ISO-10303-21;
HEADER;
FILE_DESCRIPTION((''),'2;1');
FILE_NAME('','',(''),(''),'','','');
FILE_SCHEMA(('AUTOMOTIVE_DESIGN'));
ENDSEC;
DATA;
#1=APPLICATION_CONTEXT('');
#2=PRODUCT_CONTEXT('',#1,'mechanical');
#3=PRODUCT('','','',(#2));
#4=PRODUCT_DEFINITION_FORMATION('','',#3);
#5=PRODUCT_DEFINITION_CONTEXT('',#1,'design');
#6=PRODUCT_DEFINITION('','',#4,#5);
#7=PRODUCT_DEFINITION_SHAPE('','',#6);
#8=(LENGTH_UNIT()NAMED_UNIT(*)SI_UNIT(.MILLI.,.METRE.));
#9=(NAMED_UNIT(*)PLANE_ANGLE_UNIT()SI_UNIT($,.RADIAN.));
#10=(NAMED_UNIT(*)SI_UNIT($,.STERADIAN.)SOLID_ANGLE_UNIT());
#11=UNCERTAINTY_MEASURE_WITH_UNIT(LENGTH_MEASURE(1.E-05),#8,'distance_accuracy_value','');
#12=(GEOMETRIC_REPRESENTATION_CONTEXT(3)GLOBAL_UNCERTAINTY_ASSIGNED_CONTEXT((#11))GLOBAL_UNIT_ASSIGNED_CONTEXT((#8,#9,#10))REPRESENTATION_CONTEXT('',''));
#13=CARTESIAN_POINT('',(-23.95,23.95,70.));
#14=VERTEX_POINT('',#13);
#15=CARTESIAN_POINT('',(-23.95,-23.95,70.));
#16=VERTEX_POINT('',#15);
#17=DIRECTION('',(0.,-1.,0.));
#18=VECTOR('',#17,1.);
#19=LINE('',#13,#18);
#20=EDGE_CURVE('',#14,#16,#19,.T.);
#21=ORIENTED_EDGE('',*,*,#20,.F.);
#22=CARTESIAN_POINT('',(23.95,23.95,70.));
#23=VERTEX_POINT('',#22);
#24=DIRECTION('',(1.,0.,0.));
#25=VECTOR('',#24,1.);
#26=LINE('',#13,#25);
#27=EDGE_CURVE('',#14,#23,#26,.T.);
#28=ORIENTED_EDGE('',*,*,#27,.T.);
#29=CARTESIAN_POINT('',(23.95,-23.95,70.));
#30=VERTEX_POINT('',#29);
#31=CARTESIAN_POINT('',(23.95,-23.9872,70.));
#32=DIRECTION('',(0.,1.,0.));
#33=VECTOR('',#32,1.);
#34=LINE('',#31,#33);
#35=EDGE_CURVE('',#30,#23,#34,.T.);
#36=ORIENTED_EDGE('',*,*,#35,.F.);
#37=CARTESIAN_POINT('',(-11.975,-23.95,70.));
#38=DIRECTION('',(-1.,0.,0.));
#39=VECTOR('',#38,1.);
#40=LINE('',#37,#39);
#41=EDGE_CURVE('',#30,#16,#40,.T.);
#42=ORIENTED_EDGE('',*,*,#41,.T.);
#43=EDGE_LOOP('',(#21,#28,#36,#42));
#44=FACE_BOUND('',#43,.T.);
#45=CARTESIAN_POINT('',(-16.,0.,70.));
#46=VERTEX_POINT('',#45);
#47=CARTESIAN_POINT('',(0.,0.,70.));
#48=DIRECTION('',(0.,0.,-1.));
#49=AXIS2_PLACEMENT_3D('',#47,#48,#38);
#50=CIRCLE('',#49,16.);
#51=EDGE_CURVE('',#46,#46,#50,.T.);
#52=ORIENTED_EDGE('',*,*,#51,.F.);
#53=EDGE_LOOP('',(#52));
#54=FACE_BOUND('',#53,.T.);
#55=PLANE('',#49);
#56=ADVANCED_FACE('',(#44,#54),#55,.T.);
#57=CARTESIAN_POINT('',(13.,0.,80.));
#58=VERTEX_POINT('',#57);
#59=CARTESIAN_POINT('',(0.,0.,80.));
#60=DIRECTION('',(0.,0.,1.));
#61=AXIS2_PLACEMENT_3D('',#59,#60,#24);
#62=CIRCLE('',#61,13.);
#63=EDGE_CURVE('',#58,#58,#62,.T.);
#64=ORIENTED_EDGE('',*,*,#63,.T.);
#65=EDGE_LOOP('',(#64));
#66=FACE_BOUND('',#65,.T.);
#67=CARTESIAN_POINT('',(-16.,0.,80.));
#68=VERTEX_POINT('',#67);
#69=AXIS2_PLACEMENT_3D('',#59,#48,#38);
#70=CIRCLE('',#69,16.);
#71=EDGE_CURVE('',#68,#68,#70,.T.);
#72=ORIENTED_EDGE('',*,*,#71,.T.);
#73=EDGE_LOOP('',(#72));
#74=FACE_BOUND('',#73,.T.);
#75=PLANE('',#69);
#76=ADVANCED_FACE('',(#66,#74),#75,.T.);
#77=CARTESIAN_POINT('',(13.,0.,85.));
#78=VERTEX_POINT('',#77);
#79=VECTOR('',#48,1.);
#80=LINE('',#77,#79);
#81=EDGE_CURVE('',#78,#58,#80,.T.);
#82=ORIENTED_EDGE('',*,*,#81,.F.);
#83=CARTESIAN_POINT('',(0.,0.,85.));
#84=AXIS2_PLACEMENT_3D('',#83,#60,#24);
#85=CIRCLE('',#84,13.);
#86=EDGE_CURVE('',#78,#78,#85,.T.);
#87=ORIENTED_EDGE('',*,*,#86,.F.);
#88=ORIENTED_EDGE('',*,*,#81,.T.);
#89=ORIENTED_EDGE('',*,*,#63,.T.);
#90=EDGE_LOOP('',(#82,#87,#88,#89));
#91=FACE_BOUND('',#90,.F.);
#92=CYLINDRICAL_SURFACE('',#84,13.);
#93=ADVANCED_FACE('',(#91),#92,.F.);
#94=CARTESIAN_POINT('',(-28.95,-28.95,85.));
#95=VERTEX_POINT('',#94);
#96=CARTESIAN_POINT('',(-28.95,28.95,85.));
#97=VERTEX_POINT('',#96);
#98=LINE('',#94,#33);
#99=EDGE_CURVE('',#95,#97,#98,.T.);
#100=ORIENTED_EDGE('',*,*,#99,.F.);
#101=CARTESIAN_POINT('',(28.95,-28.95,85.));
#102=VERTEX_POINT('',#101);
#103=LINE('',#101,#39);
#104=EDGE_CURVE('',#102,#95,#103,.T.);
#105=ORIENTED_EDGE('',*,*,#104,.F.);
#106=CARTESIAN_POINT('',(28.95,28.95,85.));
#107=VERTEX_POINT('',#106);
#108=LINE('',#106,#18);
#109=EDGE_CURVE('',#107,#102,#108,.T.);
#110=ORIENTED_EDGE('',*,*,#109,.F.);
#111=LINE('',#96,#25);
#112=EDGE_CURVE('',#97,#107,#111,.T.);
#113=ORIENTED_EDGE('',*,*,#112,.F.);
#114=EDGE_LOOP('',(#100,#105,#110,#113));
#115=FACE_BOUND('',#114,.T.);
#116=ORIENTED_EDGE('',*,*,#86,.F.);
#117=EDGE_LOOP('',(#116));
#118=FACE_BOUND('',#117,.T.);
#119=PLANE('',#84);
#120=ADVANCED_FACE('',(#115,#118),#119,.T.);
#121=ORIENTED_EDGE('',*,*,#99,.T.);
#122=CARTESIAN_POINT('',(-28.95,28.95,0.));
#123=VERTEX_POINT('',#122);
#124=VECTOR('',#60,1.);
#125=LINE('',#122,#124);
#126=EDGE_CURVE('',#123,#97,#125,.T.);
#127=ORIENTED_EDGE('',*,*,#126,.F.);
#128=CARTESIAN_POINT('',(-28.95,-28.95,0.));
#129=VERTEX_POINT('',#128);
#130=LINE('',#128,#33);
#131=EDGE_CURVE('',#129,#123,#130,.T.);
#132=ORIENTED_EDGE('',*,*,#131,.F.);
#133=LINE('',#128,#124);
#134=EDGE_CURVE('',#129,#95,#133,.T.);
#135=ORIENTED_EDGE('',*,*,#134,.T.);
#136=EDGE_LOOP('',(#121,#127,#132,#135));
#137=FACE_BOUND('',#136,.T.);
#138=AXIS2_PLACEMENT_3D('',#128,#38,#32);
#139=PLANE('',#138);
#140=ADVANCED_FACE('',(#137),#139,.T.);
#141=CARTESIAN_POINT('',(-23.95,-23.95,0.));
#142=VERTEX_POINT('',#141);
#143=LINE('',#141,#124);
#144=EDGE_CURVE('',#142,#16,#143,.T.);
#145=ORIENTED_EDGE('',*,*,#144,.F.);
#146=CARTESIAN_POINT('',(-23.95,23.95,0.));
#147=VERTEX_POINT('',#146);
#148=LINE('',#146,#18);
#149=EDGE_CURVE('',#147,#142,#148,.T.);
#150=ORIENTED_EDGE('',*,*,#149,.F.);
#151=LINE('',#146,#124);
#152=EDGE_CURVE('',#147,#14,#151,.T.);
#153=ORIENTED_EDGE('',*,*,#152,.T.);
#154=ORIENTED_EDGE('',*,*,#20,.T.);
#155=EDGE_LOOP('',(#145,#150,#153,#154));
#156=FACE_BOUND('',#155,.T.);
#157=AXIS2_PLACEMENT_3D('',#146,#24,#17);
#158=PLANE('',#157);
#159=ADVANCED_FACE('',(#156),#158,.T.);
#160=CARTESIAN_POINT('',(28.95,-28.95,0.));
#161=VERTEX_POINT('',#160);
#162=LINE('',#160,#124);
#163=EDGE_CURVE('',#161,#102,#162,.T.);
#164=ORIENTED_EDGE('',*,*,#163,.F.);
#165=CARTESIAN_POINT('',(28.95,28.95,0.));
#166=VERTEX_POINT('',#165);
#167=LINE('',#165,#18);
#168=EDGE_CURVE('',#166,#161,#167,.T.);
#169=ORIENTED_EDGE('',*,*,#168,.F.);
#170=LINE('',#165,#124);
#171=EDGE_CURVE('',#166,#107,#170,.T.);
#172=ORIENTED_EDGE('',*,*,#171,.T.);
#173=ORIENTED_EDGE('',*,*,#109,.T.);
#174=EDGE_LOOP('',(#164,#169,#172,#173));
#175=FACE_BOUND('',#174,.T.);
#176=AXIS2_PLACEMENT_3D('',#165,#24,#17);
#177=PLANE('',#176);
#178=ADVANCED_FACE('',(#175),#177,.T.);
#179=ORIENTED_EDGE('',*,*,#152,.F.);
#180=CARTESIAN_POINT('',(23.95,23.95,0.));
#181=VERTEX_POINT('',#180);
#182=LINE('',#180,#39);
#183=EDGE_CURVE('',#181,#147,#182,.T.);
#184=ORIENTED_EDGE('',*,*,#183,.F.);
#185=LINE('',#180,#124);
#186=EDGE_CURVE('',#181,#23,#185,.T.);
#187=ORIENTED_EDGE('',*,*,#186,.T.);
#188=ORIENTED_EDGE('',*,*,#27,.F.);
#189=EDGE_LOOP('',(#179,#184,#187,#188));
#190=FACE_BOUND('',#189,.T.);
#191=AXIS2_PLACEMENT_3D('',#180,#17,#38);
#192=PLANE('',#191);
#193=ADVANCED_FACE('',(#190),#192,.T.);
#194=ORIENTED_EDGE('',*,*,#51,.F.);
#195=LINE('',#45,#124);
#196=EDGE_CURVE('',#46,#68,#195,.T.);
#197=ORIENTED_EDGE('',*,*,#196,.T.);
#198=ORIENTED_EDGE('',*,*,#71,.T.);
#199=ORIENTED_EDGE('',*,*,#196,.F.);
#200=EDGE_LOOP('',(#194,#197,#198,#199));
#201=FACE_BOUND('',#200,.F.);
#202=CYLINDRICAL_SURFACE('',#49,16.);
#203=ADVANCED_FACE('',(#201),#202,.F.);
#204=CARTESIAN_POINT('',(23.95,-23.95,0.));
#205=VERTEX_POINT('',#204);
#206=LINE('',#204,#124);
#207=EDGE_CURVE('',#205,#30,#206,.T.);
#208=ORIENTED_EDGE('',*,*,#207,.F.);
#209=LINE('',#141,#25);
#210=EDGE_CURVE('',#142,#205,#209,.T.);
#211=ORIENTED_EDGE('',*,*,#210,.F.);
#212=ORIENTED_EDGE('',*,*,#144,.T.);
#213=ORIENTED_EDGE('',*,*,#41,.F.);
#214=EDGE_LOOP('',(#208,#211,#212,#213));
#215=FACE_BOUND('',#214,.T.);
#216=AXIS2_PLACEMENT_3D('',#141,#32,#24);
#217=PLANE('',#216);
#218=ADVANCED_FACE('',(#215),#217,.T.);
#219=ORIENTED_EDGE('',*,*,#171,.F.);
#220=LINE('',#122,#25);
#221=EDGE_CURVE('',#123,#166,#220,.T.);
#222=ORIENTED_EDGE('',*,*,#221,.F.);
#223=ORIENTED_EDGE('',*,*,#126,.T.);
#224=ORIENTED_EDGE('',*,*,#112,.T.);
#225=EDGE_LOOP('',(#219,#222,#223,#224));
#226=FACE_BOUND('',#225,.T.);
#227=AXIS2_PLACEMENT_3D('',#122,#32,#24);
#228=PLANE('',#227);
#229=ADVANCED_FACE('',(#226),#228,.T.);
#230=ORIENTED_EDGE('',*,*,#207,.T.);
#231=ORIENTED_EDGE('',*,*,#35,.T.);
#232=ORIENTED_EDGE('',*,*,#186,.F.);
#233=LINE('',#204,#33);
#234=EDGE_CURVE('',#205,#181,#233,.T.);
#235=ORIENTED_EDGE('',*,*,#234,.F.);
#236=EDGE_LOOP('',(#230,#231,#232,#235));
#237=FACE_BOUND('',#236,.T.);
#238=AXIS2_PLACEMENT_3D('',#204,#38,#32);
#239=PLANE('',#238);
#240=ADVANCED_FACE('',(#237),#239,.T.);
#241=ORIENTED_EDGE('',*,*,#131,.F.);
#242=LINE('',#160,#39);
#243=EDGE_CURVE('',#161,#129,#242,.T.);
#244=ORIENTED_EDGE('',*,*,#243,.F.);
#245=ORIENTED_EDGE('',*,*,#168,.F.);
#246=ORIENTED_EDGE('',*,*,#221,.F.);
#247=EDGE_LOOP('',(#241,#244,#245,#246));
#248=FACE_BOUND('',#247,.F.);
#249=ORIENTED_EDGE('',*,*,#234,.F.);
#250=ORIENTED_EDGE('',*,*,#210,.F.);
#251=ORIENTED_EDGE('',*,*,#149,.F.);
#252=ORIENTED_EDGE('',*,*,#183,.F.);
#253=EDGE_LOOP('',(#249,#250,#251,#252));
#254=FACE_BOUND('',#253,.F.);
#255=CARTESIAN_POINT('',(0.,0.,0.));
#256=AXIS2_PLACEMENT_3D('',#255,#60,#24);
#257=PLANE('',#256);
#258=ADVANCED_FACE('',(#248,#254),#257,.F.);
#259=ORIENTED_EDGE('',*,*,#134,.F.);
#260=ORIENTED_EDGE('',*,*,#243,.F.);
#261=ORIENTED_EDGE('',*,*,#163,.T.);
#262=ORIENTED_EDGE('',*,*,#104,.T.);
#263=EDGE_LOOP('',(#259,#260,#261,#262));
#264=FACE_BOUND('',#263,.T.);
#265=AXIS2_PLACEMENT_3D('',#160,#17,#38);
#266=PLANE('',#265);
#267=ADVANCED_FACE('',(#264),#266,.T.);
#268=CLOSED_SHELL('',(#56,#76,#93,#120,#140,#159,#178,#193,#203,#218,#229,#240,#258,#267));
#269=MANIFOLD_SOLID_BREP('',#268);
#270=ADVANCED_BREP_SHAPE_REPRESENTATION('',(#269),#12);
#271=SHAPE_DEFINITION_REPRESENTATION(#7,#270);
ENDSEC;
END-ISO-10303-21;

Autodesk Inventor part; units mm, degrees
ref_plane "YZ Plane" through (0, 0, 0) normal (1, 0, 0) x (0, 1, 0)
ref_plane "XZ Plane" through (0, 0, 0) normal (0, 1, 0) x (-1, 0, 0)
ref_plane "XY Plane" through (0, 0, 0) normal (0, 0, 1) x (1, 0, 0)
sketch "Sketch1" plane through (0, 0, 0) normal (0, 0, 1) x (1, 0, 0)
  line L0 (-23.95, -23.95) -> (23.95, -23.95)
  line L1 (23.95, -23.95) -> (23.95, 23.95)
  line L2 (23.95, 23.95) -> (-23.95, 23.95)
  line L3 (-23.95, 23.95) -> (-23.95, -23.95)
  line L4 (-23.95, -23.95) -> (23.95, 23.95) construction
  line L5 (23.95, -23.95) -> (-23.95, 23.95) construction
  line L6 (28.95, 28.95) -> (28.95, -28.95)
  line L7 (28.95, -28.95) -> (-28.95, -28.95)
  line L8 (-28.95, -28.95) -> (-28.95, 28.95)
  line L9 (-28.95, 28.95) -> (28.95, 28.95)
  point P0 (0, 0)
  dimension "d0" = 47.9
  dimension "d1" = 47.9
  dimension "d2" = 5
extrude "Extrusion1" add sketch "Sketch1" along normal blind 85
sketch "Sketch2" plane through (0, 0, 85) normal (0, 0, 1) x (1, 0, 0)
  line L0 (-23.95, 23.95) -> (23.95, 23.95) projected
  line L1 (-23.95, -23.95) -> (23.95, -23.95)
  line L2 (23.95, -23.95) -> (23.95, 23.95)
  line L3 (23.95, 23.95) -> (-23.95, 23.95)
  line L4 (-23.95, 23.95) -> (-23.95, -23.95)
  line L5 (-23.95, -23.95) -> (23.95, 23.95) construction
  line L6 (23.95, -23.95) -> (-23.95, 23.95) construction
  point P0 (0, 0)
extrude "Extrusion2" add sketch "Sketch2" against normal blind 5
sketch "Sketch3" plane through (0, 0, 85) normal (0, 0, 1) x (1, 0, 0)
  circle A0 centre (0, 0) radius 16
  dimension "d7" = 32
extrude "Extrusion3" cut sketch "Sketch3" along normal blind 8
sketch "Sketch4" plane through (-28.95, -28.95, 0) normal (-1, 0, 0) x (0, 0, 1)
  point P0 (0, 28.95)
sketch "Sketch5" plane through (0, 0, 80) normal (0, 0, -1) x (-1, 0, 0)
  line L0 (23.95, 23.95) -> (-23.95, 23.95) projected
  line L1 (-23.95, 23.95) -> (23.95, 23.95)
  line L2 (23.95, 23.95) -> (23.95, -23.9872)
  line L3 (23.95, -23.9872) -> (-23.95, -23.9872)
  line L4 (-23.95, -23.9872) -> (-23.95, 23.95)
  point P0 (0, 0)
extrude "Extrusion4" add sketch "Sketch5" along normal blind 10
sketch "Sketch6" plane through (0, 0, 70) normal (0, 0, -1) x (-1, 0, 0)
  point P0 (0, 0)
sketch "Sketch7" plane through (0, 0, 70) normal (0, 0, -1) x (-1, 0, 0)
  circle A0 centre (0, 0) radius 16
  dimension "d12" = 32
extrude "Extrusion5" cut sketch "Sketch7" against normal blind 10
sketch "Sketch8" plane through (0, 0, 85) normal (0, 0, 1) x (1, 0, 0)
  circle A0 centre (0, 0) radius 13
  dimension "d15" = 26
extrude "Extrusion6" cut sketch "Sketch8" against normal blind 5
properties part number "banebot soporte"
